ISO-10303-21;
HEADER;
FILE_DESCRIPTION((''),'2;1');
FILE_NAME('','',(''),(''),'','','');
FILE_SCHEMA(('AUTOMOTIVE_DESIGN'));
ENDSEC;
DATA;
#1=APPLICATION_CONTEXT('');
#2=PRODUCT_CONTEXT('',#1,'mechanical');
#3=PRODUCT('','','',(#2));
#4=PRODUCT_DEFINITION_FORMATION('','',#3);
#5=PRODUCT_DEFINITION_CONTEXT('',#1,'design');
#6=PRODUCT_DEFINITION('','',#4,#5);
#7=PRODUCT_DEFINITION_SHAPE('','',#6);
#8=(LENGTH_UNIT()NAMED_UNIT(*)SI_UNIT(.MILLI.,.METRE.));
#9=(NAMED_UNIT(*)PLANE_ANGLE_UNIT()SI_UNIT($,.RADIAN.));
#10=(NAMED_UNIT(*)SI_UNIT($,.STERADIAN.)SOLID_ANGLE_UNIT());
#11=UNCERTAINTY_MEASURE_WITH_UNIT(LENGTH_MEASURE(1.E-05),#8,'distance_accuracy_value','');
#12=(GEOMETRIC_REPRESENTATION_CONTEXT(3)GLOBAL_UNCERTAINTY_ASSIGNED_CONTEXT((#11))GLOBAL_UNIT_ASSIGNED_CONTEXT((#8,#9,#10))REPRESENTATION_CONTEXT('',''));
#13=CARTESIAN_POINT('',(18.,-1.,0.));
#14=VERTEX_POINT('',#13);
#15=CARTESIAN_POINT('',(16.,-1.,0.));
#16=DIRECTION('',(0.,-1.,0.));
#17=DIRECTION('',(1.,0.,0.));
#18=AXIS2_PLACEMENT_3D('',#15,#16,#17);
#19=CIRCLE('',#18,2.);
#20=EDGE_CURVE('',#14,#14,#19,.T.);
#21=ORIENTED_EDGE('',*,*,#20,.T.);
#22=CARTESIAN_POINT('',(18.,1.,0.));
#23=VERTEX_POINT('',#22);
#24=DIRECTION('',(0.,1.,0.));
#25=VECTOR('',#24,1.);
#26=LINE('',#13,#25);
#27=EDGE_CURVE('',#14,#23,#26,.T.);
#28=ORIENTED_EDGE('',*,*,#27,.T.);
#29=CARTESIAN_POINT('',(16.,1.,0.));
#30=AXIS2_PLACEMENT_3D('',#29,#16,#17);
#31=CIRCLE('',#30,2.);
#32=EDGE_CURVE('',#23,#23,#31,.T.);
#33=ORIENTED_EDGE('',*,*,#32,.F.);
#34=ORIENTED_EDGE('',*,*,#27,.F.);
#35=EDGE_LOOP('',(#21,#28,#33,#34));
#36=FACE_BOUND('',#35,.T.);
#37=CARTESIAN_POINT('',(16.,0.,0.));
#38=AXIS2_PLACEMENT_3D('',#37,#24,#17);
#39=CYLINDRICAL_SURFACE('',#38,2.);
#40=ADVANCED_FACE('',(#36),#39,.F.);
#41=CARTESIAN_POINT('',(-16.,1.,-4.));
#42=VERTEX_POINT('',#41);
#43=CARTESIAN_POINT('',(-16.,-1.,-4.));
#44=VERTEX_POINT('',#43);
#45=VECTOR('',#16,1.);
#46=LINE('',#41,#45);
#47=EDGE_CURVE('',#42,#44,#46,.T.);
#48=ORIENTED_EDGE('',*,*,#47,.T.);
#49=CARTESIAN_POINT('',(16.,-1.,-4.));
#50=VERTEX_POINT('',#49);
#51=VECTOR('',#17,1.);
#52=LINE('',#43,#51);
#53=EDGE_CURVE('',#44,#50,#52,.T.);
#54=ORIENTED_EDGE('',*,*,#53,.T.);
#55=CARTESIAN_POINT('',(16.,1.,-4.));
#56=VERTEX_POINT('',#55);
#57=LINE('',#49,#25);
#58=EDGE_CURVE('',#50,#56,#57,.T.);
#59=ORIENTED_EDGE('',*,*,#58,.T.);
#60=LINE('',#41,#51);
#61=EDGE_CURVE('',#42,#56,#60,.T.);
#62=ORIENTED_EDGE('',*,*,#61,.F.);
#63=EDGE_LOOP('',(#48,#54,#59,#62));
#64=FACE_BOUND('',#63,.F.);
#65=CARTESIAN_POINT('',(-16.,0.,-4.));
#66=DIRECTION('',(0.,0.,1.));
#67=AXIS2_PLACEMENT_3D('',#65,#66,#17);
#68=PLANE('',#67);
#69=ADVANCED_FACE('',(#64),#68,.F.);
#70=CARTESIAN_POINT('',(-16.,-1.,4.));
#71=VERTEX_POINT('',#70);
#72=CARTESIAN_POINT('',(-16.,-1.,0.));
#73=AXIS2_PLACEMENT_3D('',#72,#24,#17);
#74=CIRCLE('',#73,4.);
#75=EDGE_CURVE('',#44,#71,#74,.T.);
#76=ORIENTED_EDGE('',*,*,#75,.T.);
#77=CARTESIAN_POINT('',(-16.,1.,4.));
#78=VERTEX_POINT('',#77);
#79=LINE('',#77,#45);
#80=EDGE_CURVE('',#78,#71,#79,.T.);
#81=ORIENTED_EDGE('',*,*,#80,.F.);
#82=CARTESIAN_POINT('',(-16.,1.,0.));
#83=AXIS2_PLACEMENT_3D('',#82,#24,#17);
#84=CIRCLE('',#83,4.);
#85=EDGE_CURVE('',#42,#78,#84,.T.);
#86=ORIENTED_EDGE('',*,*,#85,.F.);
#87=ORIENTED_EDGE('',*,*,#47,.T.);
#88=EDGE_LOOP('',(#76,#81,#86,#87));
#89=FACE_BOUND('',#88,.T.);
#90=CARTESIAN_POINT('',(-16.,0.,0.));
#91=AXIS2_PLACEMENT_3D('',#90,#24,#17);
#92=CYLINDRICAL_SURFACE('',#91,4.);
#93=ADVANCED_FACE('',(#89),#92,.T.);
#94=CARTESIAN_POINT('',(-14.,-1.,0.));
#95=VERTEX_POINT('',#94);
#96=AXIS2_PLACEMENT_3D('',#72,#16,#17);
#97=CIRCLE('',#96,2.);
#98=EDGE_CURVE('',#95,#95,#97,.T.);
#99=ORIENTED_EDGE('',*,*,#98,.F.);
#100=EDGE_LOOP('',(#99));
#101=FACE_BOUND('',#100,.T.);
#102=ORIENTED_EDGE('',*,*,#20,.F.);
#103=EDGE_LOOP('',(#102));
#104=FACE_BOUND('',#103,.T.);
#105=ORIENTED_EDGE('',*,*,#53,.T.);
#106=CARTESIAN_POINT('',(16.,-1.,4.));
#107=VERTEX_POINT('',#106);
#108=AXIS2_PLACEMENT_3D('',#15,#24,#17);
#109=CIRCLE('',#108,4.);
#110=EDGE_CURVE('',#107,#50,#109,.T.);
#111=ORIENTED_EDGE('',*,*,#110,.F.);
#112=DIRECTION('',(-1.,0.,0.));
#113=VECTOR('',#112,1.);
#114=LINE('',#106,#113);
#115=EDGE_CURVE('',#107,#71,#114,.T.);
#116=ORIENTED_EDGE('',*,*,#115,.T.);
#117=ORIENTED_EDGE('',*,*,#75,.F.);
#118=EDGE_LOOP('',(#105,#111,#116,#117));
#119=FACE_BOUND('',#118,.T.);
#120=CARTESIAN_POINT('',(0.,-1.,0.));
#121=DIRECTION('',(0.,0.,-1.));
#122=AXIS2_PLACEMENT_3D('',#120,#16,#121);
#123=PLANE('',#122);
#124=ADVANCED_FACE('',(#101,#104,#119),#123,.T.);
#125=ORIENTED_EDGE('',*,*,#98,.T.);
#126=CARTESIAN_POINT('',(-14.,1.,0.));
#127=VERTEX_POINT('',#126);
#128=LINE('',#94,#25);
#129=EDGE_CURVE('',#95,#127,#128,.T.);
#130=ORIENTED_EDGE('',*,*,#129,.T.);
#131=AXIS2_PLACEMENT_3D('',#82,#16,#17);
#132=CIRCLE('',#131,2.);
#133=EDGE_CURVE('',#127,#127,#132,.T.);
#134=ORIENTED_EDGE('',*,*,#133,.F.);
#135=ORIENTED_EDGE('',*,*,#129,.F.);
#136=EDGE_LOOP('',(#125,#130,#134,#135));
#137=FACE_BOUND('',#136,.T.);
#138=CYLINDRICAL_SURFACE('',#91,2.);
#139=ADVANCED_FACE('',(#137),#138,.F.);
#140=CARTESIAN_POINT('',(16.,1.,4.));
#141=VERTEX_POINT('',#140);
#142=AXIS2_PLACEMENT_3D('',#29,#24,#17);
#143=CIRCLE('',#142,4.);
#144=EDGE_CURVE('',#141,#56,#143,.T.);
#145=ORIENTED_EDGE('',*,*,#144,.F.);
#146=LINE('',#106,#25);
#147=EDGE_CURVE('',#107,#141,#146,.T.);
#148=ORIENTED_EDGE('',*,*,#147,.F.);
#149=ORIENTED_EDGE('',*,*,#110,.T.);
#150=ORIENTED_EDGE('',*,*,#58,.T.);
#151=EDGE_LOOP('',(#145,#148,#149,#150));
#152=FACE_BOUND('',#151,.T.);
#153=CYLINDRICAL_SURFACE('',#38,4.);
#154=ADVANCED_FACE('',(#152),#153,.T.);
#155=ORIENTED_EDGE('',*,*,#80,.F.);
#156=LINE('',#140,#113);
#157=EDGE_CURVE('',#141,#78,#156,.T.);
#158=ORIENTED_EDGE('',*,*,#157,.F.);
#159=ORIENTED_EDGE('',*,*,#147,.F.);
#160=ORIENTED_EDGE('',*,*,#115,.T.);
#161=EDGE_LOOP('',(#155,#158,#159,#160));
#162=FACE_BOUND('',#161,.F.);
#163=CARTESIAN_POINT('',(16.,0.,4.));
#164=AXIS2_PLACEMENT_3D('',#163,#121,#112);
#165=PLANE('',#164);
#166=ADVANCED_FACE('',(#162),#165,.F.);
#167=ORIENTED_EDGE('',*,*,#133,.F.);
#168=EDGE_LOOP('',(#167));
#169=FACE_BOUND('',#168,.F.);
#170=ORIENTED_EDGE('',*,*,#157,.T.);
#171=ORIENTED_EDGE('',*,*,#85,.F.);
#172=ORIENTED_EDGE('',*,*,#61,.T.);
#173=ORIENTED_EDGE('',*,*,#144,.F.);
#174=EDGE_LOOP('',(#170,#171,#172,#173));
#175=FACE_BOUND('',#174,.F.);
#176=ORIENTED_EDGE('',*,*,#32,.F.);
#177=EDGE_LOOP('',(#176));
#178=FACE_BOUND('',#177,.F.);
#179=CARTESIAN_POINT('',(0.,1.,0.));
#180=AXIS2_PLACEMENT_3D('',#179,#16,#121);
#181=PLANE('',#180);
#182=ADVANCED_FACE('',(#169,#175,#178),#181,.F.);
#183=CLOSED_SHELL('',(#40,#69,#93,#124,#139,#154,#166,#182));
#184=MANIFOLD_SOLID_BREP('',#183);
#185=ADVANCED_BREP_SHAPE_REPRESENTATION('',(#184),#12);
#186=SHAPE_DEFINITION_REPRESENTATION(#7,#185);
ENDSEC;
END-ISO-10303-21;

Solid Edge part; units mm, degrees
sketch "Sketch1" plane through (0, 0, 0) normal (0, -1, 0) x (1, 0, 0)
  line L0 (16, 4) -> (-16, 4)
  line L1 (-16, -4) -> (16, -4)
  arc A0 (-16, -4) -> (-16, 4) centre (-16, 0) cw
  arc A1 (16, 4) -> (16, -4) centre (16, 0) cw
  circle A2 centre (-16, 0) radius 2
  circle A3 centre (16, 0) radius 2
extrude "Protrusion1" add sketch "Sketch1" along normal mid plane 2
